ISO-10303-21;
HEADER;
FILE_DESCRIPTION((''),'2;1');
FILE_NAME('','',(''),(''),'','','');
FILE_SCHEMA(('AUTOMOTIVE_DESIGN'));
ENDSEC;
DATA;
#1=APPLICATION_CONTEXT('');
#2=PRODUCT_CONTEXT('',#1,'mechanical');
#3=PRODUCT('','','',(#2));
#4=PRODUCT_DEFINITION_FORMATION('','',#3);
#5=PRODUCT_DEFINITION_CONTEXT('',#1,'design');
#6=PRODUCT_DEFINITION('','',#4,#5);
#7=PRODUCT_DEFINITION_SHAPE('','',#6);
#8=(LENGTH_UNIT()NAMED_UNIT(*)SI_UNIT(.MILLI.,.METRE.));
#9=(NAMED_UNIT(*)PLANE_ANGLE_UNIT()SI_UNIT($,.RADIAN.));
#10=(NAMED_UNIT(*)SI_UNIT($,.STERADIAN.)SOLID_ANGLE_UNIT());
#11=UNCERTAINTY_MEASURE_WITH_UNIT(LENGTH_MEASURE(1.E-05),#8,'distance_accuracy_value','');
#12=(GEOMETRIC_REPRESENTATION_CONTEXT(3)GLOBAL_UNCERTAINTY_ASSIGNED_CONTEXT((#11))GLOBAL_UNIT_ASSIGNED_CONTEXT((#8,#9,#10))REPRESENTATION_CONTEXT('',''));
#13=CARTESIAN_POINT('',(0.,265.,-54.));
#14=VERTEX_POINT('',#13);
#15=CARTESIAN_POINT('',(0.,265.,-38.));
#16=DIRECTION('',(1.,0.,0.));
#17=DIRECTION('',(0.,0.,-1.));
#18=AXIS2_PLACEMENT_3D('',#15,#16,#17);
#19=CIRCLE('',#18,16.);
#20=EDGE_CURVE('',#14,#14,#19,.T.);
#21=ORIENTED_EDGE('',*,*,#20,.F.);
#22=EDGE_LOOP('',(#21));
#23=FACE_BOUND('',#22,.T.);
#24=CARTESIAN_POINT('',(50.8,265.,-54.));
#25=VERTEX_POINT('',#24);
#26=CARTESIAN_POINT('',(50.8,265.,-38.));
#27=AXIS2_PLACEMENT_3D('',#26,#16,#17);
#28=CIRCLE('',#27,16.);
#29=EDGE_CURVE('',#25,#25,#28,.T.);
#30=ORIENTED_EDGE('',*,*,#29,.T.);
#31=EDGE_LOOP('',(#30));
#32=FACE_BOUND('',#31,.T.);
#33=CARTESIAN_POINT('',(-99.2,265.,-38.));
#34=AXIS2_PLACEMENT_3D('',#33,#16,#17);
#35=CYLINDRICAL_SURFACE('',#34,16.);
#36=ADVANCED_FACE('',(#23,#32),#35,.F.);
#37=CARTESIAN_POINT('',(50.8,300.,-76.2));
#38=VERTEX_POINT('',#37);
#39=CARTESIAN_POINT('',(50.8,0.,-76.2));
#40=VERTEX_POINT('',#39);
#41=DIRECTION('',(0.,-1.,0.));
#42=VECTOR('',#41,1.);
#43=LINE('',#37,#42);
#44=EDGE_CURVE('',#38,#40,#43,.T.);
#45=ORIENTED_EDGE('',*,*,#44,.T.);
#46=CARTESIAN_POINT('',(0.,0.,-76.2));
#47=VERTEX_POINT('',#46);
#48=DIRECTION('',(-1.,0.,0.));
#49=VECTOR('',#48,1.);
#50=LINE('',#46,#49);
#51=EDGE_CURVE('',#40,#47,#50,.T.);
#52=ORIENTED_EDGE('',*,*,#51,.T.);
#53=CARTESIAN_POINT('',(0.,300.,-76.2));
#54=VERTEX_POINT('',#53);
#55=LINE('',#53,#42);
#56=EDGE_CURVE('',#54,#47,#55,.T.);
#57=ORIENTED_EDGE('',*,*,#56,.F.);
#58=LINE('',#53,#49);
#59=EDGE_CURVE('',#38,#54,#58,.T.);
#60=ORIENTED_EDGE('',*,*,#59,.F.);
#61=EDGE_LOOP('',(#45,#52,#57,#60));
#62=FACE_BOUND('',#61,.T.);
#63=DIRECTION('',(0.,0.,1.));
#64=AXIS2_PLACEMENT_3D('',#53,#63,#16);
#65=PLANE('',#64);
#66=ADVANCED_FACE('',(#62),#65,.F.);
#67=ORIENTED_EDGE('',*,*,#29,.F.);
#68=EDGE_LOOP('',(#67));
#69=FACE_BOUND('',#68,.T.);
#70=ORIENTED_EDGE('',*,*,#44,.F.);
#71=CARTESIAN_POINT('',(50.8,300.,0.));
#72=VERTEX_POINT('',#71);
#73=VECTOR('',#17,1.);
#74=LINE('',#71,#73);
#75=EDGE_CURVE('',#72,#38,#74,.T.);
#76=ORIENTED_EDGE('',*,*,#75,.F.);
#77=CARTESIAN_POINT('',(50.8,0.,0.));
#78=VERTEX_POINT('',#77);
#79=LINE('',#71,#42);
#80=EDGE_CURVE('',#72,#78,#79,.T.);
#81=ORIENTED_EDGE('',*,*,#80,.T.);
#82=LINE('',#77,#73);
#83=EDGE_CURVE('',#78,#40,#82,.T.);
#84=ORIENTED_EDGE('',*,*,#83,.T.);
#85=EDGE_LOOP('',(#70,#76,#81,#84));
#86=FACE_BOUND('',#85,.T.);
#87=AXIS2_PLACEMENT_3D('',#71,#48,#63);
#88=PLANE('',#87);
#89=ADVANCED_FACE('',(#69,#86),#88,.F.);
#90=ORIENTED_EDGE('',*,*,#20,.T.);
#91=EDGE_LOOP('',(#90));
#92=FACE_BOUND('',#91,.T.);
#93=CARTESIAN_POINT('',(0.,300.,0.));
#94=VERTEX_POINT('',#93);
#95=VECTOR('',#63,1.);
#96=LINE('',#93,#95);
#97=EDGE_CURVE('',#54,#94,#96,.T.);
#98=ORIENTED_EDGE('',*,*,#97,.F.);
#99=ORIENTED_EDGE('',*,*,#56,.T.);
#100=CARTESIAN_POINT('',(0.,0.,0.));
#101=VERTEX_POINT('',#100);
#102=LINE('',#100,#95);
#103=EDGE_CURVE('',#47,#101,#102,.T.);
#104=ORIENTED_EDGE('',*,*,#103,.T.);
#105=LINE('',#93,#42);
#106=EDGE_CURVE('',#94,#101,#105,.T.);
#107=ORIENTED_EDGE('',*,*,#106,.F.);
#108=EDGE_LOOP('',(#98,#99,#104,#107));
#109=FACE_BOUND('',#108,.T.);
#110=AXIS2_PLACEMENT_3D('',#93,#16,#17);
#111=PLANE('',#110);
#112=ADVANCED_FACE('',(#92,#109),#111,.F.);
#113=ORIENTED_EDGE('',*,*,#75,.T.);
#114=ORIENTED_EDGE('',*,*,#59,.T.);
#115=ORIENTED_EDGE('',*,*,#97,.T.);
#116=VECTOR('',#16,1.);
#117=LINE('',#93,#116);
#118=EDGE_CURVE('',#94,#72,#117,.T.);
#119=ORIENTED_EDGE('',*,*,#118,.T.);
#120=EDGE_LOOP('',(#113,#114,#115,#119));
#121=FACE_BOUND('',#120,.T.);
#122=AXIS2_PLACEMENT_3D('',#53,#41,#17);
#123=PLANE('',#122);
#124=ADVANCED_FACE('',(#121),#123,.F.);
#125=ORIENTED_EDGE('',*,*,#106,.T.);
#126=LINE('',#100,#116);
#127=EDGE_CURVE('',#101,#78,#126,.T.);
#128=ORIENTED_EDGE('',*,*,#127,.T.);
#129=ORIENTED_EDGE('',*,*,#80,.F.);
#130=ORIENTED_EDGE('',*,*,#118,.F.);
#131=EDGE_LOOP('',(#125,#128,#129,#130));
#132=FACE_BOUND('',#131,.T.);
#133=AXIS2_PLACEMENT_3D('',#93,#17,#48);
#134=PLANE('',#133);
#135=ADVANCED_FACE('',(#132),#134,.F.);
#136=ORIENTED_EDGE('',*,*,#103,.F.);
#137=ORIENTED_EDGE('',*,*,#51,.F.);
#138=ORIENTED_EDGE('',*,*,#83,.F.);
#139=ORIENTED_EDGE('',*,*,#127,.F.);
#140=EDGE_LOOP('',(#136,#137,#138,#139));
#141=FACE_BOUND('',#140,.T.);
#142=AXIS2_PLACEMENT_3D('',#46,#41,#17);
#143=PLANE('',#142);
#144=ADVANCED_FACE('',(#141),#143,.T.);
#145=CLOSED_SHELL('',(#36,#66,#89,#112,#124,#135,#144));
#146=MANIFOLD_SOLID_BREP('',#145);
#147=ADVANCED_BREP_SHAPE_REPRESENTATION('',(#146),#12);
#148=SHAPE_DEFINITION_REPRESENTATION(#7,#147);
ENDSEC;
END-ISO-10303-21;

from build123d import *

# Parameters (mm, degrees)
SKETCH1_W           = 50.8
SKETCH1_H           = 76.2
BOSS_EXTRUDE1_DEPTH = 300
CUT_EXTRUDE1_DEPTH  = 150


with BuildPart() as part:
    # Sketch1 → Boss-Extrude1 (new body)
    with BuildSketch(Plane(origin=(0, 0, 0), x_dir=(1, 0, 0), z_dir=(0, 1, 0))):
        with Locations((25.4, 38.1)):
            Rectangle(SKETCH1_W, SKETCH1_H)
    extrude(amount=BOSS_EXTRUDE1_DEPTH)

    # Sketch2 → Cut-Extrude1 (cut)
    with BuildSketch(Plane(origin=(50.8, 0, 0), x_dir=(0, 0, -1), z_dir=(1, 0, 0))):
        with BuildLine():
            ThreePointArc((22, 265), (26.686291501, 253.686291501), (38, 249))
            Line((38, 249), (38, 265))
            Line((38, 265), (22, 265))
        make_face()
        with BuildLine():
            Line((38, 265), (38, 249))
            ThreePointArc((38, 249), (49.313708499, 253.686291501), (54, 265))
            ThreePointArc((54, 265), (38, 281), (22, 265))
            Line((22, 265), (38, 265))
        make_face()
    extrude(amount=-CUT_EXTRUDE1_DEPTH, mode=Mode.SUBTRACT)


solid = part.part
